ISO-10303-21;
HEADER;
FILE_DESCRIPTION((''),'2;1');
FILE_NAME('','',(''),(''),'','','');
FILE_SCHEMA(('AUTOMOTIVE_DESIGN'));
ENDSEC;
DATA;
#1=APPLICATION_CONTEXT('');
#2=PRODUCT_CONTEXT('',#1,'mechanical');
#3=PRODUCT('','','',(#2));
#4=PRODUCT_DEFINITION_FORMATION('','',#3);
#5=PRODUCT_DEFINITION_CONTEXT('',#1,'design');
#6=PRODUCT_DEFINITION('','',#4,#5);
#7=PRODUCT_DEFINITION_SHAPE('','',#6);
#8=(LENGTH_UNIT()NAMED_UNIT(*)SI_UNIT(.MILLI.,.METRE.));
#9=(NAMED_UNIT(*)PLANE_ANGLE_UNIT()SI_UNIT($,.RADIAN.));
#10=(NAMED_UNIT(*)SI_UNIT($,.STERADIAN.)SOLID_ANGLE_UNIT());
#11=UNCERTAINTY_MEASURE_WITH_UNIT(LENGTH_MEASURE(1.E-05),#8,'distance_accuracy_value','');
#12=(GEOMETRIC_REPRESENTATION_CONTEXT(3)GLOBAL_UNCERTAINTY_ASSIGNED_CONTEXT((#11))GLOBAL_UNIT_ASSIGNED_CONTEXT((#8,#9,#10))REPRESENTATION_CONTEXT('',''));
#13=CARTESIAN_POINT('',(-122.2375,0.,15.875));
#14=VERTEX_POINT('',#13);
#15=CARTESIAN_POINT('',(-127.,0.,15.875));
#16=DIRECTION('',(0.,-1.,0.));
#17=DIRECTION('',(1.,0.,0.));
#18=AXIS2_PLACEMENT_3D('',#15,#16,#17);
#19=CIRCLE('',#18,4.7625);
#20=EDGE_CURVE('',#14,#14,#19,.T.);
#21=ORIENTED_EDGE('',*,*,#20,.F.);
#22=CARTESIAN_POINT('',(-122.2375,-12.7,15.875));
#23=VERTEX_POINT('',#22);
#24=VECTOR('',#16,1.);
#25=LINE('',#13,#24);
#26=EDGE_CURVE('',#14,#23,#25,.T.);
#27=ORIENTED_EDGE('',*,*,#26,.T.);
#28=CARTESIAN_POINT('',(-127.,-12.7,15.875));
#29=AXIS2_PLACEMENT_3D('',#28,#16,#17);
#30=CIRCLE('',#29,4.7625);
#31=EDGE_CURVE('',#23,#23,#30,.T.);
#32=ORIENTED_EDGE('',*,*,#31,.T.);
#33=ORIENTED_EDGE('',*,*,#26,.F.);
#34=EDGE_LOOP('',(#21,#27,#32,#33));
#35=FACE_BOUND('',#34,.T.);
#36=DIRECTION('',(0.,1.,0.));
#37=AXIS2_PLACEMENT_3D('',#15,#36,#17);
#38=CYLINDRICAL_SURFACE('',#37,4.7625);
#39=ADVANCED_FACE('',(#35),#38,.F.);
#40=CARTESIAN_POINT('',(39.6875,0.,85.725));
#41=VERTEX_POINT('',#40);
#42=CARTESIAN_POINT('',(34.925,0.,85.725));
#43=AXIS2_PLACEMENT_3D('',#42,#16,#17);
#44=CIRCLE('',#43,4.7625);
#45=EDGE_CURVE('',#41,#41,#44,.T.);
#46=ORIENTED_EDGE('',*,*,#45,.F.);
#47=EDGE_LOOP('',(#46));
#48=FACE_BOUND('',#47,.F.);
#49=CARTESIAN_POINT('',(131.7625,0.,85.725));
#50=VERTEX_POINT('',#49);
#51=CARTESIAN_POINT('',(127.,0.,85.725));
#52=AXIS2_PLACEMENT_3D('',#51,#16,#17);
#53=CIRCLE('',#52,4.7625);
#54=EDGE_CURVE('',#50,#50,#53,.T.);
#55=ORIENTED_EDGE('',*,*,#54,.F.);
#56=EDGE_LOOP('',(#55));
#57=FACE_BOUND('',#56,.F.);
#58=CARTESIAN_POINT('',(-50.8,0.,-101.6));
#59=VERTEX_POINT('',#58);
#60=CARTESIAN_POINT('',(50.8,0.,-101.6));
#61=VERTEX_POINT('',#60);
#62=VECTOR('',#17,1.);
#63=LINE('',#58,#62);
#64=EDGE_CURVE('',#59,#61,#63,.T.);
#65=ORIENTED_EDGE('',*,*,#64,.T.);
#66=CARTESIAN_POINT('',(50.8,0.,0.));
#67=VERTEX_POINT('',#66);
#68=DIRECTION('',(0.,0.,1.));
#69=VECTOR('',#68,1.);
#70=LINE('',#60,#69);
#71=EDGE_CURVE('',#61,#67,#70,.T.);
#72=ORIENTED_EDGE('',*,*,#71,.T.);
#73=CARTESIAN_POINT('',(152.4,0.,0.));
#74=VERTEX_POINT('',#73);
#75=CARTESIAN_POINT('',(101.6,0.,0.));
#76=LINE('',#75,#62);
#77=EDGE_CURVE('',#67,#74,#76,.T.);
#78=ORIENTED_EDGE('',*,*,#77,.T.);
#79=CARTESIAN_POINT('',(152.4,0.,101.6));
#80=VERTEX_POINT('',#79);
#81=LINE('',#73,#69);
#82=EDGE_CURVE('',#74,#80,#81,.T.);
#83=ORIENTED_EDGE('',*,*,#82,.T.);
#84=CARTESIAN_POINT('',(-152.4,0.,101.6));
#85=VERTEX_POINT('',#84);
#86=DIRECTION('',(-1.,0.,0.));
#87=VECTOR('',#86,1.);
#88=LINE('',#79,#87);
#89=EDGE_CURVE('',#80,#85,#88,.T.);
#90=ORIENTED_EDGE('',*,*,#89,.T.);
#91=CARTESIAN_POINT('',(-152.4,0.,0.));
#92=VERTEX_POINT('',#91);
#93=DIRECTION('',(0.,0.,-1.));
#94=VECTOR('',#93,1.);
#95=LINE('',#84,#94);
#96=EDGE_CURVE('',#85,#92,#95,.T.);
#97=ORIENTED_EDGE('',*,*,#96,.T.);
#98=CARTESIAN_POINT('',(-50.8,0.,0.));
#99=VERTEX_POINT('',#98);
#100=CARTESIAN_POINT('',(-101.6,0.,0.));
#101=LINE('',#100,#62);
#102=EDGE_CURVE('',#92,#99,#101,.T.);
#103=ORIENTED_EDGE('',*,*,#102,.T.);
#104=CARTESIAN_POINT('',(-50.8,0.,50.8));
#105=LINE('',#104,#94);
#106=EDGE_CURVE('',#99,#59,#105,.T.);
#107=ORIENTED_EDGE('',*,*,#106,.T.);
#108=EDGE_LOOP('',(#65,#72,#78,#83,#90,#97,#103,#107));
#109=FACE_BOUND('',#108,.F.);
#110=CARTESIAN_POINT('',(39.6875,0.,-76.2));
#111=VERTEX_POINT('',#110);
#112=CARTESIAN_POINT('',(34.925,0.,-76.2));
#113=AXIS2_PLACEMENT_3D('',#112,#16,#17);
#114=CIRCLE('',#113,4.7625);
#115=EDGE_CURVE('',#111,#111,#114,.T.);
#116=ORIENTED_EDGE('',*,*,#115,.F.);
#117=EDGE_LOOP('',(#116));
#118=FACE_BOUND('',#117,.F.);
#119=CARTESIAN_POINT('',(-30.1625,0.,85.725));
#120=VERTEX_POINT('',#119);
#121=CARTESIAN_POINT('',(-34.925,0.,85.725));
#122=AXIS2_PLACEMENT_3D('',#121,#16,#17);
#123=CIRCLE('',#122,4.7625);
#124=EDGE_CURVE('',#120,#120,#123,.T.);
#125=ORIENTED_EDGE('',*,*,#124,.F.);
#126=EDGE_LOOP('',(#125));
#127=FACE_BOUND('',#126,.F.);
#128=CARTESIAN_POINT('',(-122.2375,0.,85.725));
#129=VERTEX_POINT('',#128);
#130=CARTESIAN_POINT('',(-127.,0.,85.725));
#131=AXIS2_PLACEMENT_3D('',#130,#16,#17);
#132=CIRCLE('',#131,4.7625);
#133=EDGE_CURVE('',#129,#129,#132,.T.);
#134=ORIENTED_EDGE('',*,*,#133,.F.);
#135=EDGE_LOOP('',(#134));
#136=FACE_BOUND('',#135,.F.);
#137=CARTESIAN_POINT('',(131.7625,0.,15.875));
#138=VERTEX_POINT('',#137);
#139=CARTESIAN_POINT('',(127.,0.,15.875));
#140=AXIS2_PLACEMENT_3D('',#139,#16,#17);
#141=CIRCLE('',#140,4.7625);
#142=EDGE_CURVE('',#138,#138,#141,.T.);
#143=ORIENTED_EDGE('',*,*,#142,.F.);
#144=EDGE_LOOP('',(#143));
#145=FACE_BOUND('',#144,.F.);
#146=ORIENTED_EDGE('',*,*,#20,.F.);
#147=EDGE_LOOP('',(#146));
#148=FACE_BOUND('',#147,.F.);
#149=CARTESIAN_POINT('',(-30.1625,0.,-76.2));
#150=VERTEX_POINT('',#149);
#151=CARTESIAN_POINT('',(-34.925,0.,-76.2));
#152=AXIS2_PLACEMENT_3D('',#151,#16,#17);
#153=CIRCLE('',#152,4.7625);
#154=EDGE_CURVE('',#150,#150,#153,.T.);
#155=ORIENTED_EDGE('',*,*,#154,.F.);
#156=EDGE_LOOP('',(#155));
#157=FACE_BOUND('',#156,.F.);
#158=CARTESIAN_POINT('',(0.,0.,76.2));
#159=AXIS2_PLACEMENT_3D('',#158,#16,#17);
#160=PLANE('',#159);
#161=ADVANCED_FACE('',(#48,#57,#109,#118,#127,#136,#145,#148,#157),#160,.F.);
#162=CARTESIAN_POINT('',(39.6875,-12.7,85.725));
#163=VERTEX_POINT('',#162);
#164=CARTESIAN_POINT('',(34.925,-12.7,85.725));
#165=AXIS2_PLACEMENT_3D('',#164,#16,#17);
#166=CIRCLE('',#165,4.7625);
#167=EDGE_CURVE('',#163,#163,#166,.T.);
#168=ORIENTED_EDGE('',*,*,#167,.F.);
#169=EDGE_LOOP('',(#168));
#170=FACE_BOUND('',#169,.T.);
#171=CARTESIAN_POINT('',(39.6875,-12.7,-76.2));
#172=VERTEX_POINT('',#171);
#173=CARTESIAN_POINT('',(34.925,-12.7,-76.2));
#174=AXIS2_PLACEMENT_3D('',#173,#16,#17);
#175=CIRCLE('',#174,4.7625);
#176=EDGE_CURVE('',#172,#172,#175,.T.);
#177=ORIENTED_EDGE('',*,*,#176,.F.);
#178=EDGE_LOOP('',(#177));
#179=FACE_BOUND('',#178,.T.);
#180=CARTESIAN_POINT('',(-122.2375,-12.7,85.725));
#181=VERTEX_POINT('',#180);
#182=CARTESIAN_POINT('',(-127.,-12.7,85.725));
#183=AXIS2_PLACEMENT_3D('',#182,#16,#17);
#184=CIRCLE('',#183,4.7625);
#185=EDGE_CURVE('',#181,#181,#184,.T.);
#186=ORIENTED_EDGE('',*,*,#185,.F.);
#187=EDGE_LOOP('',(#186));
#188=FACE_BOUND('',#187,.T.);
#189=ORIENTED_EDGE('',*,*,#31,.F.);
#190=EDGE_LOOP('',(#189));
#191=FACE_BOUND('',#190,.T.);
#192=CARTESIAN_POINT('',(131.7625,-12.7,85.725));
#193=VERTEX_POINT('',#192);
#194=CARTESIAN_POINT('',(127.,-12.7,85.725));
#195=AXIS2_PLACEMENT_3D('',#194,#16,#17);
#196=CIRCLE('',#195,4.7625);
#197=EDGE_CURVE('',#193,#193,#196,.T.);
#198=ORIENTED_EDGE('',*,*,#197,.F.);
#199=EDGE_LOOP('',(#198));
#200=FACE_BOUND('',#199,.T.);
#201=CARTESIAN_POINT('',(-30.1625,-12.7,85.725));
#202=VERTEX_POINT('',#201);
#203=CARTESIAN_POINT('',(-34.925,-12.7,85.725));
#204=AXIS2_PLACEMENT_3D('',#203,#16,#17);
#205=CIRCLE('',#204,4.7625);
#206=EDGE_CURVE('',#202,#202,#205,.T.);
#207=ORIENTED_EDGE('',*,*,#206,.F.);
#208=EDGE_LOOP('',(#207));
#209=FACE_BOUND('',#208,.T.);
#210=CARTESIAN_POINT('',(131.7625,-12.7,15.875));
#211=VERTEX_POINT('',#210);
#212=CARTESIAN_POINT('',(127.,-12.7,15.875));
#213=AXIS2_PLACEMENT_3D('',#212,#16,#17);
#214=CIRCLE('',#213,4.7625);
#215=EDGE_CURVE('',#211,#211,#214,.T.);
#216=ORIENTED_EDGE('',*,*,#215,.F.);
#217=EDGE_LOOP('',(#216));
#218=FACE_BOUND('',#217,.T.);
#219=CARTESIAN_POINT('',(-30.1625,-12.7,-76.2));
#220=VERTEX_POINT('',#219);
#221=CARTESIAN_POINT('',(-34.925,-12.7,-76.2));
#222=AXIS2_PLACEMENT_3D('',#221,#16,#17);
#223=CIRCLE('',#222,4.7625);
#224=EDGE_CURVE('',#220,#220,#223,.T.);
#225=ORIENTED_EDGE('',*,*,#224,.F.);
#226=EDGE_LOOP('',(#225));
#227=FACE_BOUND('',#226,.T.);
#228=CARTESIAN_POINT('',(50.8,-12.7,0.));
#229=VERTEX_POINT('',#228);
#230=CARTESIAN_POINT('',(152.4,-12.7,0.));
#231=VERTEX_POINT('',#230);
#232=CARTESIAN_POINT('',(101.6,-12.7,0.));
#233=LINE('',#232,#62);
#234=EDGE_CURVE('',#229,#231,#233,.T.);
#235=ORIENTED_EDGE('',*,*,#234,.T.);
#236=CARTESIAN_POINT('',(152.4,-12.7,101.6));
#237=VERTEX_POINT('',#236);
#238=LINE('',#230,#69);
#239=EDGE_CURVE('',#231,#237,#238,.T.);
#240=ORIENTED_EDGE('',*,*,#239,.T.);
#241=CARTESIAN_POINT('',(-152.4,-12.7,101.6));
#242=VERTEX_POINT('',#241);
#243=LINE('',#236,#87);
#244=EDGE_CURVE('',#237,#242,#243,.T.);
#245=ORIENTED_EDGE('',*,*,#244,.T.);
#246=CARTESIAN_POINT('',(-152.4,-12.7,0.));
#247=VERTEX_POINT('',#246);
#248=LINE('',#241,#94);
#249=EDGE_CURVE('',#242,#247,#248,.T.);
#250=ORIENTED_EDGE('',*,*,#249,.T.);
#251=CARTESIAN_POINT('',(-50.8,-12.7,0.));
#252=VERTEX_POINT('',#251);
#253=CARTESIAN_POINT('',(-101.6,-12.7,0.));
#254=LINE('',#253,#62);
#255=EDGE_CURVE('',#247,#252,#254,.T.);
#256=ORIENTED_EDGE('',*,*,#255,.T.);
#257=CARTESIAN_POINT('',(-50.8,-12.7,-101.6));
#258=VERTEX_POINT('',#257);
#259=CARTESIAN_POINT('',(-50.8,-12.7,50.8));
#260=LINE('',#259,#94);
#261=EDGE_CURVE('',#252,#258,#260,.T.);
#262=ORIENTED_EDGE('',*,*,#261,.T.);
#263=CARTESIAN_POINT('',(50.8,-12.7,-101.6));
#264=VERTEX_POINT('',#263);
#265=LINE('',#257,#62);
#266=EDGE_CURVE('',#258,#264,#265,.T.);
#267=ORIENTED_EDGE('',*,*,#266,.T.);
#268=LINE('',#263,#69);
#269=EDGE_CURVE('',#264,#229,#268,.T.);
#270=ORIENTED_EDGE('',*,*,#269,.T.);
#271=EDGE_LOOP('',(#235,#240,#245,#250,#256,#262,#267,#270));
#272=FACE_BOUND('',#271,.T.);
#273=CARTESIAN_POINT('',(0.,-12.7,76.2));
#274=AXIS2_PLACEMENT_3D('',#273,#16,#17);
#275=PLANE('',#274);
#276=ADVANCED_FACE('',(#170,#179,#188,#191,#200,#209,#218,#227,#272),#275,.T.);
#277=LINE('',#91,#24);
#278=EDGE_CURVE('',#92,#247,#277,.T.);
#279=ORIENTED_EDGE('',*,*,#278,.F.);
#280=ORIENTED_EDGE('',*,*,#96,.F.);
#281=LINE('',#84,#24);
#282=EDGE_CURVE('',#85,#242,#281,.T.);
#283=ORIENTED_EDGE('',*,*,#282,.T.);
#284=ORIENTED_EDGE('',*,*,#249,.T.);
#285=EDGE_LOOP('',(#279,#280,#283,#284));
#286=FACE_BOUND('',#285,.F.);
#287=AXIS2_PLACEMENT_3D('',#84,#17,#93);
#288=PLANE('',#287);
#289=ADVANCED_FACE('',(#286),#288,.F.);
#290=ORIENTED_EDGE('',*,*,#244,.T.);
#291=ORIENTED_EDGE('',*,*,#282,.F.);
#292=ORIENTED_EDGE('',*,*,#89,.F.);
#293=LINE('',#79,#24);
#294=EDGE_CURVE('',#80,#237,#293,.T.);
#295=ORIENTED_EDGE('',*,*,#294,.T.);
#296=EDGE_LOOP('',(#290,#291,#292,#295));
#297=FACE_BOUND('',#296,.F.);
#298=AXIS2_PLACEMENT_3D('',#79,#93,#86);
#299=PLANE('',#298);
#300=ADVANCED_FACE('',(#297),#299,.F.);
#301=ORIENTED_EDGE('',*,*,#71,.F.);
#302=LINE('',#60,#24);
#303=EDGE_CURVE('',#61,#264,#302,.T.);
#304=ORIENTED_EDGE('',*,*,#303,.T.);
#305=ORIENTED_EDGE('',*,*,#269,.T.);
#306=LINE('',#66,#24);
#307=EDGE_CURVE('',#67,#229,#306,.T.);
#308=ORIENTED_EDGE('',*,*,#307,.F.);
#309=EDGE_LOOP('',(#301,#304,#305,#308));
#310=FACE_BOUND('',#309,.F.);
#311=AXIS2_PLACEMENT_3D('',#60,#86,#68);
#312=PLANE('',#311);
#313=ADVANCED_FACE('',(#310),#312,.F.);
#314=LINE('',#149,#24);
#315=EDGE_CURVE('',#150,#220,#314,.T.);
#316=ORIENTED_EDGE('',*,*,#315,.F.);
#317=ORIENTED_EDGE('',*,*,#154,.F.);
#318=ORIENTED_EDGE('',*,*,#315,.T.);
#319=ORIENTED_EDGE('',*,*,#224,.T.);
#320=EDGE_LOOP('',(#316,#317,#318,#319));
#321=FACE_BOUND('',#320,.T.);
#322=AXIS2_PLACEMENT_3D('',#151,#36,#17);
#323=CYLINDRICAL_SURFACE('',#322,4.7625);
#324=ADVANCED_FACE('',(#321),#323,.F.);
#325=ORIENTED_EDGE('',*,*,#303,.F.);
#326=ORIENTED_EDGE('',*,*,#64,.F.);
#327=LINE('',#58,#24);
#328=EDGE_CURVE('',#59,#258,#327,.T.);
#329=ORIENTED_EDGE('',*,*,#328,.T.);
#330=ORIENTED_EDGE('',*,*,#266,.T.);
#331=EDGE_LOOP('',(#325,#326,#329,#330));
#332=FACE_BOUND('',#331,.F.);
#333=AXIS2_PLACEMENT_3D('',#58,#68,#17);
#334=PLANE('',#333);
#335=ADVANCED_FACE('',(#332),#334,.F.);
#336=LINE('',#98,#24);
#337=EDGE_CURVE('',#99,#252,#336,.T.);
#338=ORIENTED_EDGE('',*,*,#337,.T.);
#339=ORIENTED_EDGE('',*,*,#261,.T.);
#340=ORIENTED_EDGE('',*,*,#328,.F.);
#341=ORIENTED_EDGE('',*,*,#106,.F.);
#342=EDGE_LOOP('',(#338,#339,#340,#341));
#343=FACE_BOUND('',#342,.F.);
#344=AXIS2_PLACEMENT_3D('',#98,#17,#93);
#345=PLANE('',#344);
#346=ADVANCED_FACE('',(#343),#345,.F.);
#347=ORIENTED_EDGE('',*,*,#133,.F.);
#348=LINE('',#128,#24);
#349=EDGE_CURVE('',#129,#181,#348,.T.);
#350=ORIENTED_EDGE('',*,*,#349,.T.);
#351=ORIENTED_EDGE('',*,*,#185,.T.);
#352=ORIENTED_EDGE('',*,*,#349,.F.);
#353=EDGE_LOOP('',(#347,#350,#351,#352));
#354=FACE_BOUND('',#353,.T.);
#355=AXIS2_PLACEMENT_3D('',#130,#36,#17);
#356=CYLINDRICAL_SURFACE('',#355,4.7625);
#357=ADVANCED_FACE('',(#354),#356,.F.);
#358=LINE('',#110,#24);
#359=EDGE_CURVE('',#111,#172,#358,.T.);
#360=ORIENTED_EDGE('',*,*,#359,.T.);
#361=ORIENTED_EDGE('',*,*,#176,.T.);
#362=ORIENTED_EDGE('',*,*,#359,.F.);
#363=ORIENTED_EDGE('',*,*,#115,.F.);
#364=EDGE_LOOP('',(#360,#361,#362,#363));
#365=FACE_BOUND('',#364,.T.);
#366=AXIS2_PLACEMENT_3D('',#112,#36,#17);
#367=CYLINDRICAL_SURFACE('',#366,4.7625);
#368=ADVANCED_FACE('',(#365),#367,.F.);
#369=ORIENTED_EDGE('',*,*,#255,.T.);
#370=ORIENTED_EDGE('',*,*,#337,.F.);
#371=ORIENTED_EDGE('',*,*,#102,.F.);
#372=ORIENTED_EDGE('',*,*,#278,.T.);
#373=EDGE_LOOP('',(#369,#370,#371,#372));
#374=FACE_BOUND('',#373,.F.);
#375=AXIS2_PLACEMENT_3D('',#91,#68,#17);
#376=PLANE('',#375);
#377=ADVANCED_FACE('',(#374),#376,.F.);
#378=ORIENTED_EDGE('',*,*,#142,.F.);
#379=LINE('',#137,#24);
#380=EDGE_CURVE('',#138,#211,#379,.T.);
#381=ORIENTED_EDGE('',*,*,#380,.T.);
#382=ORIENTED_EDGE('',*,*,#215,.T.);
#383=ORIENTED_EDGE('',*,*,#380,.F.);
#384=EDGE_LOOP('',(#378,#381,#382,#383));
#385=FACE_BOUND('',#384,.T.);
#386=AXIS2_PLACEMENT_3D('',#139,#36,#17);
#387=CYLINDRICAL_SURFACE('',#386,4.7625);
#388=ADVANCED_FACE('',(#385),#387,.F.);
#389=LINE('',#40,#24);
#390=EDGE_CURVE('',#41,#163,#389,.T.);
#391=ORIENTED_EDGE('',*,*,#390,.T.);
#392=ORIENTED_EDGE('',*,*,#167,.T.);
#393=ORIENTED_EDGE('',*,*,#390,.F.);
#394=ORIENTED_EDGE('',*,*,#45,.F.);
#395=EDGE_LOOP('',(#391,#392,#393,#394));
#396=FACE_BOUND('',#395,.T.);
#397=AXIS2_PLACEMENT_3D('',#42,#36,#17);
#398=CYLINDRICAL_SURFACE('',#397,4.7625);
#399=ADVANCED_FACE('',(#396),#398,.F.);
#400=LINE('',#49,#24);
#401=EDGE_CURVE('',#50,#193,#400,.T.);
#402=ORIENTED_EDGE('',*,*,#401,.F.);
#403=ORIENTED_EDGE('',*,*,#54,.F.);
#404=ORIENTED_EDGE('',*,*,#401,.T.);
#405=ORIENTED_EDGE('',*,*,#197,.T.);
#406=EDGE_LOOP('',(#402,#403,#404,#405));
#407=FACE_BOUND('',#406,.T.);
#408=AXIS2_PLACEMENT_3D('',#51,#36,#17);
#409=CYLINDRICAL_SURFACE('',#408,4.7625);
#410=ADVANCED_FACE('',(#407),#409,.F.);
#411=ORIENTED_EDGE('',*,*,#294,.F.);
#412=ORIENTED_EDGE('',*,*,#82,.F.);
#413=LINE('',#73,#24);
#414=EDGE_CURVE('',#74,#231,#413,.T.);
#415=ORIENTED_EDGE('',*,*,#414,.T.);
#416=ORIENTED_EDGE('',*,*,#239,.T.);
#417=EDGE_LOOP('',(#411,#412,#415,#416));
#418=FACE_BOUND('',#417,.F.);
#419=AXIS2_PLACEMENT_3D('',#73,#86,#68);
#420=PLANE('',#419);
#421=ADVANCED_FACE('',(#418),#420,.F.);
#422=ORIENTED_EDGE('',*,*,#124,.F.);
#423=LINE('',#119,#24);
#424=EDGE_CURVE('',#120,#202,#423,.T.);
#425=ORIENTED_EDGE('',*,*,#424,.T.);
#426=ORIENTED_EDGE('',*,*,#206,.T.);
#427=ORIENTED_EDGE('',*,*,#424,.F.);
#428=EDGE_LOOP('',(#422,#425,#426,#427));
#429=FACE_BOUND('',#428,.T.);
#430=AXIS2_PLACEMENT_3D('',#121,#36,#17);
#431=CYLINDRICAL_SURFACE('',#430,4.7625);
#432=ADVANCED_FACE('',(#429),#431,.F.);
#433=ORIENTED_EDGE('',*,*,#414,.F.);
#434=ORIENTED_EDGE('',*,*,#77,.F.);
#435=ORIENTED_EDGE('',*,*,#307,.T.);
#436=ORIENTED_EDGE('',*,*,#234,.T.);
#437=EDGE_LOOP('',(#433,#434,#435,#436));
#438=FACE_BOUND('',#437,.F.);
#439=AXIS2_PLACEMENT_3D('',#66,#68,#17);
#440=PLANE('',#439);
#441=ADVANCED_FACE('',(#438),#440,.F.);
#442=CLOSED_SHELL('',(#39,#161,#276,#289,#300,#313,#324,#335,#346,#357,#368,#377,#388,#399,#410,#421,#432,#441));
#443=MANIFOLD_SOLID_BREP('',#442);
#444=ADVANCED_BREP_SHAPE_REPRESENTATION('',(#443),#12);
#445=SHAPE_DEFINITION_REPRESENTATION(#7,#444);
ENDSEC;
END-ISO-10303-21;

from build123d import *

# Parameters (mm, degrees)
F0_W     = 101.6
F0_H     = 50.8
F0_R     = 4.7625
F1_DEPTH = 12.7


with BuildPart() as f1:
    # F0 (on Front) → F1 (new body)
    with BuildSketch(Plane.XZ):
        with Locations((0, 76.2)):
            Rectangle(F0_W, F0_H)
        with Locations((-34.925, 85.725)):
            Circle(F0_R, mode=Mode.SUBTRACT)
        with Locations((34.925, 85.725)):
            Circle(F0_R, mode=Mode.SUBTRACT)
        with Locations((101.6, 76.2)):
            Rectangle(F0_W, F0_H)
        with Locations((127, 85.725)):
            Circle(F0_R, mode=Mode.SUBTRACT)
        with Locations((-101.6, 76.2)):
            Rectangle(F0_W, F0_H)
        with Locations((-127, 85.725)):
            Circle(F0_R, mode=Mode.SUBTRACT)
        with Locations((101.6, 25.4)):
            Rectangle(F0_W, F0_H)
        with Locations((127, 15.875)):
            Circle(F0_R, mode=Mode.SUBTRACT)
        Polygon((50.8, 0), (50.8, 50.8), (-50.8, 50.8), (-50.8, 0), (-50.8, -101.6), (50.8, -101.6), align=None)
        with Locations((-34.925, -76.2)):
            Circle(F0_R, mode=Mode.SUBTRACT)
        with Locations((34.925, -76.2)):
            Circle(F0_R, mode=Mode.SUBTRACT)
        with Locations((-101.6, 25.4)):
            Rectangle(F0_W, F0_H)
        with Locations((-127, 15.875)):
            Circle(F0_R, mode=Mode.SUBTRACT)
    extrude(amount=F1_DEPTH)


solid = f1.part
